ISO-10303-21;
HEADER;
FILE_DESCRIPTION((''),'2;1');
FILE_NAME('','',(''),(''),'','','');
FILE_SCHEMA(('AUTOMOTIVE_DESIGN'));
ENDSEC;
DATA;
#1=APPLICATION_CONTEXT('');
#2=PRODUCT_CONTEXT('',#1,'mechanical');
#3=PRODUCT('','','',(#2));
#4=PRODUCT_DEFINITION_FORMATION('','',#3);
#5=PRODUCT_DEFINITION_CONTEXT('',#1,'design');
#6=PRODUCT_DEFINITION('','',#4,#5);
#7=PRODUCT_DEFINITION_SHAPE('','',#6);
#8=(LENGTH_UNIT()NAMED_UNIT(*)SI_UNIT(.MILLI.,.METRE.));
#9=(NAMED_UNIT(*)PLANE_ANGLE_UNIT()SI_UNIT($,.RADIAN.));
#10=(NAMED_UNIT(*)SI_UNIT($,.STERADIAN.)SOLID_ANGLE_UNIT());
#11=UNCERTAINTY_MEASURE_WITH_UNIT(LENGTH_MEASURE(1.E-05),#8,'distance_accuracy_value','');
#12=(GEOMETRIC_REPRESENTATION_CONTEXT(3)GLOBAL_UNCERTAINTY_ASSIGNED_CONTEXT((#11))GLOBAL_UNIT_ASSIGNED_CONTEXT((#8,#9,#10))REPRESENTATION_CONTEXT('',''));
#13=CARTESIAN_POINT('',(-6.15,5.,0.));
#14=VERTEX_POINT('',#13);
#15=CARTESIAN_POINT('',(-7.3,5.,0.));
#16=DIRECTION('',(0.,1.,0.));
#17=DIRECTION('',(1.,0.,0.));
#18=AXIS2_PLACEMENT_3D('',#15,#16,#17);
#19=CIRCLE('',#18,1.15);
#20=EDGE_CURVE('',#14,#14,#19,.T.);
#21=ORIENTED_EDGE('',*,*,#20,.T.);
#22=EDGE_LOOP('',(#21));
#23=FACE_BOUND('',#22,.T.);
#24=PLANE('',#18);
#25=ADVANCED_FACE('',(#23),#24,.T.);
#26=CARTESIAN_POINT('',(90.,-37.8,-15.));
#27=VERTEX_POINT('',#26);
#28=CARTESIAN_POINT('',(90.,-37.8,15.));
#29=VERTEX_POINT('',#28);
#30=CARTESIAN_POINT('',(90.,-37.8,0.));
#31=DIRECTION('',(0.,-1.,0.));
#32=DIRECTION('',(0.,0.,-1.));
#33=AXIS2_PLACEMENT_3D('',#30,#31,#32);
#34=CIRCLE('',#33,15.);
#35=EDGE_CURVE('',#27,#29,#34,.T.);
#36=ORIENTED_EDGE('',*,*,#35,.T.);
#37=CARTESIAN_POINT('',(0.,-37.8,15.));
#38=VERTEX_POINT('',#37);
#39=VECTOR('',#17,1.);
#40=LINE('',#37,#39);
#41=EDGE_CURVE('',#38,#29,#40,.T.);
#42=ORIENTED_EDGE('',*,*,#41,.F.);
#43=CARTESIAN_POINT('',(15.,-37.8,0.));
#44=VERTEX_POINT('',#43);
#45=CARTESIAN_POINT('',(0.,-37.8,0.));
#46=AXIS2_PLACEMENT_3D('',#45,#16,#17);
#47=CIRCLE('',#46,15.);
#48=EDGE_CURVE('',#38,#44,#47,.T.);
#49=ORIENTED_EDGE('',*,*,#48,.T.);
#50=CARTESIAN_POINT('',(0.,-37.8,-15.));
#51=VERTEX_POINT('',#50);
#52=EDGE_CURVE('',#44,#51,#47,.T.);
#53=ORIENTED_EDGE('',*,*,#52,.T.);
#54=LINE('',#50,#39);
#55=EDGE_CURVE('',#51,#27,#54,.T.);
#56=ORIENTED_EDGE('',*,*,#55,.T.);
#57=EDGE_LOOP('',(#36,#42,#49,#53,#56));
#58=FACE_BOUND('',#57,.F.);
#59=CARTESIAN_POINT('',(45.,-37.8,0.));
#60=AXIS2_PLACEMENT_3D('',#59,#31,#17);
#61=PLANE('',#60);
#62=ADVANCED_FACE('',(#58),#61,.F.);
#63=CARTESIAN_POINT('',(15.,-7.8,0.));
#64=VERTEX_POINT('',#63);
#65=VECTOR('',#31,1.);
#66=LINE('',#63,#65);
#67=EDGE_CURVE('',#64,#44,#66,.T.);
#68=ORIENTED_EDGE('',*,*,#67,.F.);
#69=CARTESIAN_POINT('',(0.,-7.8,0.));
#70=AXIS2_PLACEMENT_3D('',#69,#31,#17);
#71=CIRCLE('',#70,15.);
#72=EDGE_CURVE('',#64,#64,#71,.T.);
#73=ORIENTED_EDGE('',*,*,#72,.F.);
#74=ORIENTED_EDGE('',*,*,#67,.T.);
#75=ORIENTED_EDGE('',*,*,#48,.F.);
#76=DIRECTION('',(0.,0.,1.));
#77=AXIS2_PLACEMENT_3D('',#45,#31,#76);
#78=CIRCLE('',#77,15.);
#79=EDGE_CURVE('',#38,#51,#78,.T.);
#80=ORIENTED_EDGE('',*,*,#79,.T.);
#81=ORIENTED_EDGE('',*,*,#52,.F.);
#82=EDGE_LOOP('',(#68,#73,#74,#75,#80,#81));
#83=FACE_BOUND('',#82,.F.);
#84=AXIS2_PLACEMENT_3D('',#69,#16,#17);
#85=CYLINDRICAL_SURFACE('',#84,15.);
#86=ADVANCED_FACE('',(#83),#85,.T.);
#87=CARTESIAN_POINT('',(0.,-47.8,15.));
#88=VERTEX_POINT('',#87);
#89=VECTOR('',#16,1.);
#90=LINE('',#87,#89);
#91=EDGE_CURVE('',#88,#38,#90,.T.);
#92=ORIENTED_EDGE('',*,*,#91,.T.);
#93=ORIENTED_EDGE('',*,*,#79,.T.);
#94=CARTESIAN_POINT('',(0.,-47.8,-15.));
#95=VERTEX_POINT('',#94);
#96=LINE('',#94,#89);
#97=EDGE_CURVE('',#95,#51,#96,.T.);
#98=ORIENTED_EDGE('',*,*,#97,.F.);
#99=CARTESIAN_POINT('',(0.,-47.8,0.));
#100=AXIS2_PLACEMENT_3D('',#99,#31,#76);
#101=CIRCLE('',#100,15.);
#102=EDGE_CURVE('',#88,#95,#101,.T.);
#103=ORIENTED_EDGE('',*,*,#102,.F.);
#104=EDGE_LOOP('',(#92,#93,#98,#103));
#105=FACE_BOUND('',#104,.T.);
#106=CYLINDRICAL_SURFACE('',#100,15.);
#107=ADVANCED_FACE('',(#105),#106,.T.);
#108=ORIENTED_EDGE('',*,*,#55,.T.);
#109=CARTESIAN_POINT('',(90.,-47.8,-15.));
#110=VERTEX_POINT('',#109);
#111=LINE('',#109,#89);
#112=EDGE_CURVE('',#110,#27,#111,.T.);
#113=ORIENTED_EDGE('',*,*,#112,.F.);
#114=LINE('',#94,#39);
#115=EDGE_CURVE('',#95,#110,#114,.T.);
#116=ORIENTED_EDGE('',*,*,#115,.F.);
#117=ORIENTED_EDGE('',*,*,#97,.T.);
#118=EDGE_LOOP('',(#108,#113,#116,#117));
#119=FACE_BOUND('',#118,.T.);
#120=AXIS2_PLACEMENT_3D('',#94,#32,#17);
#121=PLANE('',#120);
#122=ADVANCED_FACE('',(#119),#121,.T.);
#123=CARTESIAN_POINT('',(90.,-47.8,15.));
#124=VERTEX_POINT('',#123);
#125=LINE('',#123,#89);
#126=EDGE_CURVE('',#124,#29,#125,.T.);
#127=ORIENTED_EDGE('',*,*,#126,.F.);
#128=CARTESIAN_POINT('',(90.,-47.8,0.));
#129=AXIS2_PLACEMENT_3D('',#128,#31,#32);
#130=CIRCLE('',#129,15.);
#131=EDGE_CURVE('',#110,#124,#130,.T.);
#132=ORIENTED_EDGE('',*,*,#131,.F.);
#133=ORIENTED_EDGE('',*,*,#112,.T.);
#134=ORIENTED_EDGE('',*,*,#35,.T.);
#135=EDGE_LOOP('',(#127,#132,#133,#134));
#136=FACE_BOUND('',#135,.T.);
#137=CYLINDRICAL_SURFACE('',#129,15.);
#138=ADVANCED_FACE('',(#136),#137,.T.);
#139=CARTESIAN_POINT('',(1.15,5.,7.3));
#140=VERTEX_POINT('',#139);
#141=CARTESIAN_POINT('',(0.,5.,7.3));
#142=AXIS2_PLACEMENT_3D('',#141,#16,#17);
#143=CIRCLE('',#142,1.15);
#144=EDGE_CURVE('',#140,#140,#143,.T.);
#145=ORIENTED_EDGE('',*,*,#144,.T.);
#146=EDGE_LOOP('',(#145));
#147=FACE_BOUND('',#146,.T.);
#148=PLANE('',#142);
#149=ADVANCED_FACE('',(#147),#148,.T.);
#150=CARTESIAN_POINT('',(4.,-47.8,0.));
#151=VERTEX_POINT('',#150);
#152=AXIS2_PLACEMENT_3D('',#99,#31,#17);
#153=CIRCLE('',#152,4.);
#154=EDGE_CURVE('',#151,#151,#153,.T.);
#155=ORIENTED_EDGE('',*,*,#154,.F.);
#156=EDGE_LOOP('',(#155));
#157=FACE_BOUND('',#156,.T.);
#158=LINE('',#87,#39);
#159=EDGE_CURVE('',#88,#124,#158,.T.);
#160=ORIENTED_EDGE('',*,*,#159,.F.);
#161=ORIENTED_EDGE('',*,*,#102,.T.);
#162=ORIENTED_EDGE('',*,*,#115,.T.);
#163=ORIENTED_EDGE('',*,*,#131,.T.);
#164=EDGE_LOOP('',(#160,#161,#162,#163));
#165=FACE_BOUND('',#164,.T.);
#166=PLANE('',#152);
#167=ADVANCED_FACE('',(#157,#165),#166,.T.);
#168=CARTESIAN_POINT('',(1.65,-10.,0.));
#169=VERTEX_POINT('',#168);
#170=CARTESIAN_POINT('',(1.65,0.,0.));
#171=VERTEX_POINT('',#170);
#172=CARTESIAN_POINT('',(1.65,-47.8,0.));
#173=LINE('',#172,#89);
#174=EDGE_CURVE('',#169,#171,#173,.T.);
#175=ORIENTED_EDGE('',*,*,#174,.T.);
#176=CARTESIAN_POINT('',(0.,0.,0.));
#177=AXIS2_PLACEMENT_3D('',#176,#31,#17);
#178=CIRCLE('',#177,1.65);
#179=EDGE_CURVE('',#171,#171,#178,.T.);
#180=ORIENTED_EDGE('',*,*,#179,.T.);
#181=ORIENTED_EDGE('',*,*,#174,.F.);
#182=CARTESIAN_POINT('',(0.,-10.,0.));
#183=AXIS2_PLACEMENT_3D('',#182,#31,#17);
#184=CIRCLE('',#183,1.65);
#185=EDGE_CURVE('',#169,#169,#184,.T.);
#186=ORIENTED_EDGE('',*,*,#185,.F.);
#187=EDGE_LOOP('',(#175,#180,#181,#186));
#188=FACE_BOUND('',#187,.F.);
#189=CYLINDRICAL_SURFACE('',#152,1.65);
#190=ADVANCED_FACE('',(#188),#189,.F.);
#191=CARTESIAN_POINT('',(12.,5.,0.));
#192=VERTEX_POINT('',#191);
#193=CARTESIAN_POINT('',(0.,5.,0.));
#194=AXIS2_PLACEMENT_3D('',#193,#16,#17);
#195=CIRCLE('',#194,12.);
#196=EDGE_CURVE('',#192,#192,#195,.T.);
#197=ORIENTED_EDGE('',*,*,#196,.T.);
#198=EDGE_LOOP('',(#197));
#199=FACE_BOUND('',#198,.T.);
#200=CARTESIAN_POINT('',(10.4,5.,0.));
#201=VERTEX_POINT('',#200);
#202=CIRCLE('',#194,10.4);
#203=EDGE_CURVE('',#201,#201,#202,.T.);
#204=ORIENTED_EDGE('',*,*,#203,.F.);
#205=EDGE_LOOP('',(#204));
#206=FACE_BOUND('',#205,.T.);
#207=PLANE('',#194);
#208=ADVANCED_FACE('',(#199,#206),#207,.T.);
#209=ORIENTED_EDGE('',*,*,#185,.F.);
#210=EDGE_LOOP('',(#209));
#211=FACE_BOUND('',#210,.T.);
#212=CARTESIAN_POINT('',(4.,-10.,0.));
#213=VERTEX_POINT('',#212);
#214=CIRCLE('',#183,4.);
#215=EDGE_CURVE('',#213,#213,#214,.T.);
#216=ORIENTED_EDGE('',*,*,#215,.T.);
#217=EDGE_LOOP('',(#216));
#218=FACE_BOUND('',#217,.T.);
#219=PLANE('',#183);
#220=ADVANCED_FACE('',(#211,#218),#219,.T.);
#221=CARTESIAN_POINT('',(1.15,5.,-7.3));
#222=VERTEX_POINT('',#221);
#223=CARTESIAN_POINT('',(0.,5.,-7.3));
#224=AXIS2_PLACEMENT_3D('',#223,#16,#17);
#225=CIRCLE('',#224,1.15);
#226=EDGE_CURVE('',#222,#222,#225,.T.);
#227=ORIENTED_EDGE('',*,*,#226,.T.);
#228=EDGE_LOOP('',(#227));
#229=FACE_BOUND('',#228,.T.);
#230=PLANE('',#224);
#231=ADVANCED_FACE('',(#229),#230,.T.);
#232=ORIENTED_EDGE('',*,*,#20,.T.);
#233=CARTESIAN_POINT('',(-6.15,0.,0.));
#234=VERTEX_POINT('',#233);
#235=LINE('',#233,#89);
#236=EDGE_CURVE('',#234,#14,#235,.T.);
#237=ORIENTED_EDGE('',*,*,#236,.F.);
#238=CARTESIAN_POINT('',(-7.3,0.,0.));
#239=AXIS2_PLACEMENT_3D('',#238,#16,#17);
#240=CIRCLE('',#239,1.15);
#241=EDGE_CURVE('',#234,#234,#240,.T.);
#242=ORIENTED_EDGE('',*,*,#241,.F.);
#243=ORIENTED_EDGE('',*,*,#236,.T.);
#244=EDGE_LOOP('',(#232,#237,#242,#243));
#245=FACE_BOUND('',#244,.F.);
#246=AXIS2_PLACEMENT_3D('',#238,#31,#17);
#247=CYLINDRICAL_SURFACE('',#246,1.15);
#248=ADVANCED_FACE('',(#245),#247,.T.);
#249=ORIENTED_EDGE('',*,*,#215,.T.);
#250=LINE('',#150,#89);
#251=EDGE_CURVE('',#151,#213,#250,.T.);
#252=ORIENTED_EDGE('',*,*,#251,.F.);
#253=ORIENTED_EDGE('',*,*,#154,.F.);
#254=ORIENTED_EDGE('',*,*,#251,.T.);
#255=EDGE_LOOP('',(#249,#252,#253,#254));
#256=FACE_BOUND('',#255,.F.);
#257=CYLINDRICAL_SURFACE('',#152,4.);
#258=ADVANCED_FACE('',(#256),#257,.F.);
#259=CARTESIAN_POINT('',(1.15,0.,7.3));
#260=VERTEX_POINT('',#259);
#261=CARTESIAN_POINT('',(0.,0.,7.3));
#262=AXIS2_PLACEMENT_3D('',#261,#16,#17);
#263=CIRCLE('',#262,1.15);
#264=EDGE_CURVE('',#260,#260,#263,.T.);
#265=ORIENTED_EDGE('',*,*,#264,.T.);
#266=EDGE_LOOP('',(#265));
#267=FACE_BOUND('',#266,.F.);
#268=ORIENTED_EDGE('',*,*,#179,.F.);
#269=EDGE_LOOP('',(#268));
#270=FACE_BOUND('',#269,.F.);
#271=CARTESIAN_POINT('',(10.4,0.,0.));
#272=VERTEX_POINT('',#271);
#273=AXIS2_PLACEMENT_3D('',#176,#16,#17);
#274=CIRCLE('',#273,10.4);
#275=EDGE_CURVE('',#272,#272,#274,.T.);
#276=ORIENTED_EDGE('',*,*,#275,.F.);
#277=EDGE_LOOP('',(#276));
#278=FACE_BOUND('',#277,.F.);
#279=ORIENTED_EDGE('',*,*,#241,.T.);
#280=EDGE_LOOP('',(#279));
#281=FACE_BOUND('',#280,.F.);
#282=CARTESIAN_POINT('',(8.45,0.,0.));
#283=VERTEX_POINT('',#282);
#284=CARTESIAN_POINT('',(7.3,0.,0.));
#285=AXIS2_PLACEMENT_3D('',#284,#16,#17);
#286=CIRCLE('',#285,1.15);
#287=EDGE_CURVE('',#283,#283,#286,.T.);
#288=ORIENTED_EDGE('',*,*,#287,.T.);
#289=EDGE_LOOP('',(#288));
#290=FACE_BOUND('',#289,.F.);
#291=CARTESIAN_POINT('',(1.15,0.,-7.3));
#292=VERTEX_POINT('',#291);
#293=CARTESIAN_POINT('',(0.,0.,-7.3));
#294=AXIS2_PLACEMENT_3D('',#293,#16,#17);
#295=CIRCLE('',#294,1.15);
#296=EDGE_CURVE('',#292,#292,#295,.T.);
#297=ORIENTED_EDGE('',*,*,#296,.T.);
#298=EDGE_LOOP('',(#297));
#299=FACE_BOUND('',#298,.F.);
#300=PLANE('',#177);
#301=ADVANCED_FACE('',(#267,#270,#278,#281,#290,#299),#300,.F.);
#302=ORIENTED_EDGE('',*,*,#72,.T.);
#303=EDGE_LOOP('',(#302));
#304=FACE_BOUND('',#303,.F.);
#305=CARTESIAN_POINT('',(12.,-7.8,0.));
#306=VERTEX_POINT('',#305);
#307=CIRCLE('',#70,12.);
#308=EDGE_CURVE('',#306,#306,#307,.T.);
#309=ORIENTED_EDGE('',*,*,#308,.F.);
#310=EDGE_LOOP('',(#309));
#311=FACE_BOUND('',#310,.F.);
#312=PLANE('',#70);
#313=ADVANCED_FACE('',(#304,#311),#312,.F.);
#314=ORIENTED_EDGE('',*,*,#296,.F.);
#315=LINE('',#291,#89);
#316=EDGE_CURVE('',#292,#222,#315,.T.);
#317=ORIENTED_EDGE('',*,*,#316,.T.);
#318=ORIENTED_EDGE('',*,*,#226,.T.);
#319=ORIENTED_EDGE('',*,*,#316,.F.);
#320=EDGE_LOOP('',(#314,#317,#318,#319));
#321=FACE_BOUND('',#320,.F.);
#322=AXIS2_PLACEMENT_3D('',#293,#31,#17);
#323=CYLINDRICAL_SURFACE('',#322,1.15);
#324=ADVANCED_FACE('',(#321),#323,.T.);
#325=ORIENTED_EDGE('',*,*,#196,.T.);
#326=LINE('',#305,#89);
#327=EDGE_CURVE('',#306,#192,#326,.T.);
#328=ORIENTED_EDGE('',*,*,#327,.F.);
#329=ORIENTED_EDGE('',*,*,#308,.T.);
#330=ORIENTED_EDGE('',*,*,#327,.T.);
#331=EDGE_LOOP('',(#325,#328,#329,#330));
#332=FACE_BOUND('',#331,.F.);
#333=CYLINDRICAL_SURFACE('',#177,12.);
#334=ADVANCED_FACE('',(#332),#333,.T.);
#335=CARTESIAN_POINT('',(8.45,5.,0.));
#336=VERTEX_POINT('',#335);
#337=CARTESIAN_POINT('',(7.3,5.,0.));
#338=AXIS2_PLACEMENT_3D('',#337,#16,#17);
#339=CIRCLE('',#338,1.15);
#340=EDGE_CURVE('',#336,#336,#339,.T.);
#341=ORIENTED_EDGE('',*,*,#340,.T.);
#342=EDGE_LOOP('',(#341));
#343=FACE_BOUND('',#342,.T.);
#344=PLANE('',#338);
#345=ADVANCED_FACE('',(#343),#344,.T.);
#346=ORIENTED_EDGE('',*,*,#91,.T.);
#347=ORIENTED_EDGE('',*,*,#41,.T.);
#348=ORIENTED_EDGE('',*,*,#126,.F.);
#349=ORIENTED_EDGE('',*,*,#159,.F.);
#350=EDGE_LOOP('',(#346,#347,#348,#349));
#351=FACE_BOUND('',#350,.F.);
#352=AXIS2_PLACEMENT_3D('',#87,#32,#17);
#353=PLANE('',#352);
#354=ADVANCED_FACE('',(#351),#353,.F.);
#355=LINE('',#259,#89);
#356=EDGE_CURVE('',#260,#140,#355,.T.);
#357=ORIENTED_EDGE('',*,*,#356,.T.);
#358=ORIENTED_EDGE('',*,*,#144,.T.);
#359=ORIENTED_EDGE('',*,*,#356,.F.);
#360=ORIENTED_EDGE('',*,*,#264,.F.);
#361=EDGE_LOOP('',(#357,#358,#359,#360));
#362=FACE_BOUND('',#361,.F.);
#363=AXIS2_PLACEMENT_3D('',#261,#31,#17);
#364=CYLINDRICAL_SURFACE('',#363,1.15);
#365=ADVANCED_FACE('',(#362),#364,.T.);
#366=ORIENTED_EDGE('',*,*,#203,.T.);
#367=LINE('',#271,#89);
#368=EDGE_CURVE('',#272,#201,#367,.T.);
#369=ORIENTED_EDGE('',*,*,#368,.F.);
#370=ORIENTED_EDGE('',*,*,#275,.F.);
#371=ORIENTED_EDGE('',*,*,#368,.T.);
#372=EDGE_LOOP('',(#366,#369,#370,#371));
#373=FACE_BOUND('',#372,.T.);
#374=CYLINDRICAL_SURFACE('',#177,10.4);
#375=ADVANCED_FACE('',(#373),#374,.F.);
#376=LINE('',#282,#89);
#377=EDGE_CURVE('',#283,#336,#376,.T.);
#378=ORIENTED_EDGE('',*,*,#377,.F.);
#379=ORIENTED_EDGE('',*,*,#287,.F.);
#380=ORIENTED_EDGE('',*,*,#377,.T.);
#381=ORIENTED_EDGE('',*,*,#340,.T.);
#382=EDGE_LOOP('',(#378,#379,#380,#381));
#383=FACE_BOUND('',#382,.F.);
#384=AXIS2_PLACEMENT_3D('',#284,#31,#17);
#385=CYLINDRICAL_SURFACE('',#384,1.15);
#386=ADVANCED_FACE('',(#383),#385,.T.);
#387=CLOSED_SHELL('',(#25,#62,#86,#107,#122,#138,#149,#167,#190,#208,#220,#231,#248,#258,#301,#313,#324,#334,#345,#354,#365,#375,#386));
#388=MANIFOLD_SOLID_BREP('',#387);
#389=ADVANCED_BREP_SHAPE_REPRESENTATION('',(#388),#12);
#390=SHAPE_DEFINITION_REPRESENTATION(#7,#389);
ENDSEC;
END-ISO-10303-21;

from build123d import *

# Parameters (mm, degrees)
SKETCH_R        = 12
PAD_DEPTH       = 7.8
SKETCH001_R     = 12
SKETCH001_R_2   = 10.4
SKETCH001_R_3   = 1.15
PAD001_DEPTH    = 5
SKETCH002_R     = 15
PAD002_DEPTH    = 40
PAD003_DEPTH    = 10
SKETCH004_R     = 1.65
POCKET_DEPTH    = 52.801
SKETCH005_R     = 4
POCKET001_DEPTH = 37.8


with BuildPart() as part:
    # Sketch → Pad (new body)
    with BuildSketch(Plane.XZ):
        Circle(SKETCH_R)
    extrude(amount=PAD_DEPTH)

    # Sketch001 (on Face2 of Pad) → Pad001 (join)
    with BuildSketch(Plane(origin=(0, 0, 0), x_dir=(1, 0, 0), z_dir=(0, 1, 0))):
        Circle(SKETCH001_R)
        Circle(SKETCH001_R_2, mode=Mode.SUBTRACT)
        with Locations((0, 7.3)):
            Circle(SKETCH001_R_3)
        with Locations((7.3, 0)):
            Circle(SKETCH001_R_3)
        with Locations((0, -7.3)):
            Circle(SKETCH001_R_3)
        with Locations((-7.3, 0)):
            Circle(SKETCH001_R_3)
    extrude(amount=PAD001_DEPTH)

    # Sketch002 (on Face1 of Pad001) → Pad002 (join)
    with BuildSketch(Plane.XZ.offset(7.8)):
        Circle(SKETCH002_R)
    extrude(amount=PAD002_DEPTH)

    # Sketch003 (on Face6 of Pad002) → Pad003 (join)
    with BuildSketch(Plane.XZ.offset(47.8)):
        with BuildLine():
            ThreePointArc((0, 15), (-15, 0), (0, -15))
            Line((0, -15), (90, -15))
            ThreePointArc((90, -15), (105, 0), (90, 15))
            Line((0, 15), (90, 15))
        make_face()
    extrude(amount=-PAD003_DEPTH)

    # Sketch004 (on Face5 of Pad003) → Pocket (cut, through all)
    with BuildSketch(Plane.XZ.offset(47.8)):
        Circle(SKETCH004_R)
    extrude(amount=-POCKET_DEPTH, mode=Mode.SUBTRACT)

    # Sketch005 (on Face6 of Pocket) → Pocket001 (cut)
    with BuildSketch(Plane.XZ.offset(47.8)):
        Circle(SKETCH005_R)
    extrude(amount=-POCKET001_DEPTH, mode=Mode.SUBTRACT)


solid = part.part
